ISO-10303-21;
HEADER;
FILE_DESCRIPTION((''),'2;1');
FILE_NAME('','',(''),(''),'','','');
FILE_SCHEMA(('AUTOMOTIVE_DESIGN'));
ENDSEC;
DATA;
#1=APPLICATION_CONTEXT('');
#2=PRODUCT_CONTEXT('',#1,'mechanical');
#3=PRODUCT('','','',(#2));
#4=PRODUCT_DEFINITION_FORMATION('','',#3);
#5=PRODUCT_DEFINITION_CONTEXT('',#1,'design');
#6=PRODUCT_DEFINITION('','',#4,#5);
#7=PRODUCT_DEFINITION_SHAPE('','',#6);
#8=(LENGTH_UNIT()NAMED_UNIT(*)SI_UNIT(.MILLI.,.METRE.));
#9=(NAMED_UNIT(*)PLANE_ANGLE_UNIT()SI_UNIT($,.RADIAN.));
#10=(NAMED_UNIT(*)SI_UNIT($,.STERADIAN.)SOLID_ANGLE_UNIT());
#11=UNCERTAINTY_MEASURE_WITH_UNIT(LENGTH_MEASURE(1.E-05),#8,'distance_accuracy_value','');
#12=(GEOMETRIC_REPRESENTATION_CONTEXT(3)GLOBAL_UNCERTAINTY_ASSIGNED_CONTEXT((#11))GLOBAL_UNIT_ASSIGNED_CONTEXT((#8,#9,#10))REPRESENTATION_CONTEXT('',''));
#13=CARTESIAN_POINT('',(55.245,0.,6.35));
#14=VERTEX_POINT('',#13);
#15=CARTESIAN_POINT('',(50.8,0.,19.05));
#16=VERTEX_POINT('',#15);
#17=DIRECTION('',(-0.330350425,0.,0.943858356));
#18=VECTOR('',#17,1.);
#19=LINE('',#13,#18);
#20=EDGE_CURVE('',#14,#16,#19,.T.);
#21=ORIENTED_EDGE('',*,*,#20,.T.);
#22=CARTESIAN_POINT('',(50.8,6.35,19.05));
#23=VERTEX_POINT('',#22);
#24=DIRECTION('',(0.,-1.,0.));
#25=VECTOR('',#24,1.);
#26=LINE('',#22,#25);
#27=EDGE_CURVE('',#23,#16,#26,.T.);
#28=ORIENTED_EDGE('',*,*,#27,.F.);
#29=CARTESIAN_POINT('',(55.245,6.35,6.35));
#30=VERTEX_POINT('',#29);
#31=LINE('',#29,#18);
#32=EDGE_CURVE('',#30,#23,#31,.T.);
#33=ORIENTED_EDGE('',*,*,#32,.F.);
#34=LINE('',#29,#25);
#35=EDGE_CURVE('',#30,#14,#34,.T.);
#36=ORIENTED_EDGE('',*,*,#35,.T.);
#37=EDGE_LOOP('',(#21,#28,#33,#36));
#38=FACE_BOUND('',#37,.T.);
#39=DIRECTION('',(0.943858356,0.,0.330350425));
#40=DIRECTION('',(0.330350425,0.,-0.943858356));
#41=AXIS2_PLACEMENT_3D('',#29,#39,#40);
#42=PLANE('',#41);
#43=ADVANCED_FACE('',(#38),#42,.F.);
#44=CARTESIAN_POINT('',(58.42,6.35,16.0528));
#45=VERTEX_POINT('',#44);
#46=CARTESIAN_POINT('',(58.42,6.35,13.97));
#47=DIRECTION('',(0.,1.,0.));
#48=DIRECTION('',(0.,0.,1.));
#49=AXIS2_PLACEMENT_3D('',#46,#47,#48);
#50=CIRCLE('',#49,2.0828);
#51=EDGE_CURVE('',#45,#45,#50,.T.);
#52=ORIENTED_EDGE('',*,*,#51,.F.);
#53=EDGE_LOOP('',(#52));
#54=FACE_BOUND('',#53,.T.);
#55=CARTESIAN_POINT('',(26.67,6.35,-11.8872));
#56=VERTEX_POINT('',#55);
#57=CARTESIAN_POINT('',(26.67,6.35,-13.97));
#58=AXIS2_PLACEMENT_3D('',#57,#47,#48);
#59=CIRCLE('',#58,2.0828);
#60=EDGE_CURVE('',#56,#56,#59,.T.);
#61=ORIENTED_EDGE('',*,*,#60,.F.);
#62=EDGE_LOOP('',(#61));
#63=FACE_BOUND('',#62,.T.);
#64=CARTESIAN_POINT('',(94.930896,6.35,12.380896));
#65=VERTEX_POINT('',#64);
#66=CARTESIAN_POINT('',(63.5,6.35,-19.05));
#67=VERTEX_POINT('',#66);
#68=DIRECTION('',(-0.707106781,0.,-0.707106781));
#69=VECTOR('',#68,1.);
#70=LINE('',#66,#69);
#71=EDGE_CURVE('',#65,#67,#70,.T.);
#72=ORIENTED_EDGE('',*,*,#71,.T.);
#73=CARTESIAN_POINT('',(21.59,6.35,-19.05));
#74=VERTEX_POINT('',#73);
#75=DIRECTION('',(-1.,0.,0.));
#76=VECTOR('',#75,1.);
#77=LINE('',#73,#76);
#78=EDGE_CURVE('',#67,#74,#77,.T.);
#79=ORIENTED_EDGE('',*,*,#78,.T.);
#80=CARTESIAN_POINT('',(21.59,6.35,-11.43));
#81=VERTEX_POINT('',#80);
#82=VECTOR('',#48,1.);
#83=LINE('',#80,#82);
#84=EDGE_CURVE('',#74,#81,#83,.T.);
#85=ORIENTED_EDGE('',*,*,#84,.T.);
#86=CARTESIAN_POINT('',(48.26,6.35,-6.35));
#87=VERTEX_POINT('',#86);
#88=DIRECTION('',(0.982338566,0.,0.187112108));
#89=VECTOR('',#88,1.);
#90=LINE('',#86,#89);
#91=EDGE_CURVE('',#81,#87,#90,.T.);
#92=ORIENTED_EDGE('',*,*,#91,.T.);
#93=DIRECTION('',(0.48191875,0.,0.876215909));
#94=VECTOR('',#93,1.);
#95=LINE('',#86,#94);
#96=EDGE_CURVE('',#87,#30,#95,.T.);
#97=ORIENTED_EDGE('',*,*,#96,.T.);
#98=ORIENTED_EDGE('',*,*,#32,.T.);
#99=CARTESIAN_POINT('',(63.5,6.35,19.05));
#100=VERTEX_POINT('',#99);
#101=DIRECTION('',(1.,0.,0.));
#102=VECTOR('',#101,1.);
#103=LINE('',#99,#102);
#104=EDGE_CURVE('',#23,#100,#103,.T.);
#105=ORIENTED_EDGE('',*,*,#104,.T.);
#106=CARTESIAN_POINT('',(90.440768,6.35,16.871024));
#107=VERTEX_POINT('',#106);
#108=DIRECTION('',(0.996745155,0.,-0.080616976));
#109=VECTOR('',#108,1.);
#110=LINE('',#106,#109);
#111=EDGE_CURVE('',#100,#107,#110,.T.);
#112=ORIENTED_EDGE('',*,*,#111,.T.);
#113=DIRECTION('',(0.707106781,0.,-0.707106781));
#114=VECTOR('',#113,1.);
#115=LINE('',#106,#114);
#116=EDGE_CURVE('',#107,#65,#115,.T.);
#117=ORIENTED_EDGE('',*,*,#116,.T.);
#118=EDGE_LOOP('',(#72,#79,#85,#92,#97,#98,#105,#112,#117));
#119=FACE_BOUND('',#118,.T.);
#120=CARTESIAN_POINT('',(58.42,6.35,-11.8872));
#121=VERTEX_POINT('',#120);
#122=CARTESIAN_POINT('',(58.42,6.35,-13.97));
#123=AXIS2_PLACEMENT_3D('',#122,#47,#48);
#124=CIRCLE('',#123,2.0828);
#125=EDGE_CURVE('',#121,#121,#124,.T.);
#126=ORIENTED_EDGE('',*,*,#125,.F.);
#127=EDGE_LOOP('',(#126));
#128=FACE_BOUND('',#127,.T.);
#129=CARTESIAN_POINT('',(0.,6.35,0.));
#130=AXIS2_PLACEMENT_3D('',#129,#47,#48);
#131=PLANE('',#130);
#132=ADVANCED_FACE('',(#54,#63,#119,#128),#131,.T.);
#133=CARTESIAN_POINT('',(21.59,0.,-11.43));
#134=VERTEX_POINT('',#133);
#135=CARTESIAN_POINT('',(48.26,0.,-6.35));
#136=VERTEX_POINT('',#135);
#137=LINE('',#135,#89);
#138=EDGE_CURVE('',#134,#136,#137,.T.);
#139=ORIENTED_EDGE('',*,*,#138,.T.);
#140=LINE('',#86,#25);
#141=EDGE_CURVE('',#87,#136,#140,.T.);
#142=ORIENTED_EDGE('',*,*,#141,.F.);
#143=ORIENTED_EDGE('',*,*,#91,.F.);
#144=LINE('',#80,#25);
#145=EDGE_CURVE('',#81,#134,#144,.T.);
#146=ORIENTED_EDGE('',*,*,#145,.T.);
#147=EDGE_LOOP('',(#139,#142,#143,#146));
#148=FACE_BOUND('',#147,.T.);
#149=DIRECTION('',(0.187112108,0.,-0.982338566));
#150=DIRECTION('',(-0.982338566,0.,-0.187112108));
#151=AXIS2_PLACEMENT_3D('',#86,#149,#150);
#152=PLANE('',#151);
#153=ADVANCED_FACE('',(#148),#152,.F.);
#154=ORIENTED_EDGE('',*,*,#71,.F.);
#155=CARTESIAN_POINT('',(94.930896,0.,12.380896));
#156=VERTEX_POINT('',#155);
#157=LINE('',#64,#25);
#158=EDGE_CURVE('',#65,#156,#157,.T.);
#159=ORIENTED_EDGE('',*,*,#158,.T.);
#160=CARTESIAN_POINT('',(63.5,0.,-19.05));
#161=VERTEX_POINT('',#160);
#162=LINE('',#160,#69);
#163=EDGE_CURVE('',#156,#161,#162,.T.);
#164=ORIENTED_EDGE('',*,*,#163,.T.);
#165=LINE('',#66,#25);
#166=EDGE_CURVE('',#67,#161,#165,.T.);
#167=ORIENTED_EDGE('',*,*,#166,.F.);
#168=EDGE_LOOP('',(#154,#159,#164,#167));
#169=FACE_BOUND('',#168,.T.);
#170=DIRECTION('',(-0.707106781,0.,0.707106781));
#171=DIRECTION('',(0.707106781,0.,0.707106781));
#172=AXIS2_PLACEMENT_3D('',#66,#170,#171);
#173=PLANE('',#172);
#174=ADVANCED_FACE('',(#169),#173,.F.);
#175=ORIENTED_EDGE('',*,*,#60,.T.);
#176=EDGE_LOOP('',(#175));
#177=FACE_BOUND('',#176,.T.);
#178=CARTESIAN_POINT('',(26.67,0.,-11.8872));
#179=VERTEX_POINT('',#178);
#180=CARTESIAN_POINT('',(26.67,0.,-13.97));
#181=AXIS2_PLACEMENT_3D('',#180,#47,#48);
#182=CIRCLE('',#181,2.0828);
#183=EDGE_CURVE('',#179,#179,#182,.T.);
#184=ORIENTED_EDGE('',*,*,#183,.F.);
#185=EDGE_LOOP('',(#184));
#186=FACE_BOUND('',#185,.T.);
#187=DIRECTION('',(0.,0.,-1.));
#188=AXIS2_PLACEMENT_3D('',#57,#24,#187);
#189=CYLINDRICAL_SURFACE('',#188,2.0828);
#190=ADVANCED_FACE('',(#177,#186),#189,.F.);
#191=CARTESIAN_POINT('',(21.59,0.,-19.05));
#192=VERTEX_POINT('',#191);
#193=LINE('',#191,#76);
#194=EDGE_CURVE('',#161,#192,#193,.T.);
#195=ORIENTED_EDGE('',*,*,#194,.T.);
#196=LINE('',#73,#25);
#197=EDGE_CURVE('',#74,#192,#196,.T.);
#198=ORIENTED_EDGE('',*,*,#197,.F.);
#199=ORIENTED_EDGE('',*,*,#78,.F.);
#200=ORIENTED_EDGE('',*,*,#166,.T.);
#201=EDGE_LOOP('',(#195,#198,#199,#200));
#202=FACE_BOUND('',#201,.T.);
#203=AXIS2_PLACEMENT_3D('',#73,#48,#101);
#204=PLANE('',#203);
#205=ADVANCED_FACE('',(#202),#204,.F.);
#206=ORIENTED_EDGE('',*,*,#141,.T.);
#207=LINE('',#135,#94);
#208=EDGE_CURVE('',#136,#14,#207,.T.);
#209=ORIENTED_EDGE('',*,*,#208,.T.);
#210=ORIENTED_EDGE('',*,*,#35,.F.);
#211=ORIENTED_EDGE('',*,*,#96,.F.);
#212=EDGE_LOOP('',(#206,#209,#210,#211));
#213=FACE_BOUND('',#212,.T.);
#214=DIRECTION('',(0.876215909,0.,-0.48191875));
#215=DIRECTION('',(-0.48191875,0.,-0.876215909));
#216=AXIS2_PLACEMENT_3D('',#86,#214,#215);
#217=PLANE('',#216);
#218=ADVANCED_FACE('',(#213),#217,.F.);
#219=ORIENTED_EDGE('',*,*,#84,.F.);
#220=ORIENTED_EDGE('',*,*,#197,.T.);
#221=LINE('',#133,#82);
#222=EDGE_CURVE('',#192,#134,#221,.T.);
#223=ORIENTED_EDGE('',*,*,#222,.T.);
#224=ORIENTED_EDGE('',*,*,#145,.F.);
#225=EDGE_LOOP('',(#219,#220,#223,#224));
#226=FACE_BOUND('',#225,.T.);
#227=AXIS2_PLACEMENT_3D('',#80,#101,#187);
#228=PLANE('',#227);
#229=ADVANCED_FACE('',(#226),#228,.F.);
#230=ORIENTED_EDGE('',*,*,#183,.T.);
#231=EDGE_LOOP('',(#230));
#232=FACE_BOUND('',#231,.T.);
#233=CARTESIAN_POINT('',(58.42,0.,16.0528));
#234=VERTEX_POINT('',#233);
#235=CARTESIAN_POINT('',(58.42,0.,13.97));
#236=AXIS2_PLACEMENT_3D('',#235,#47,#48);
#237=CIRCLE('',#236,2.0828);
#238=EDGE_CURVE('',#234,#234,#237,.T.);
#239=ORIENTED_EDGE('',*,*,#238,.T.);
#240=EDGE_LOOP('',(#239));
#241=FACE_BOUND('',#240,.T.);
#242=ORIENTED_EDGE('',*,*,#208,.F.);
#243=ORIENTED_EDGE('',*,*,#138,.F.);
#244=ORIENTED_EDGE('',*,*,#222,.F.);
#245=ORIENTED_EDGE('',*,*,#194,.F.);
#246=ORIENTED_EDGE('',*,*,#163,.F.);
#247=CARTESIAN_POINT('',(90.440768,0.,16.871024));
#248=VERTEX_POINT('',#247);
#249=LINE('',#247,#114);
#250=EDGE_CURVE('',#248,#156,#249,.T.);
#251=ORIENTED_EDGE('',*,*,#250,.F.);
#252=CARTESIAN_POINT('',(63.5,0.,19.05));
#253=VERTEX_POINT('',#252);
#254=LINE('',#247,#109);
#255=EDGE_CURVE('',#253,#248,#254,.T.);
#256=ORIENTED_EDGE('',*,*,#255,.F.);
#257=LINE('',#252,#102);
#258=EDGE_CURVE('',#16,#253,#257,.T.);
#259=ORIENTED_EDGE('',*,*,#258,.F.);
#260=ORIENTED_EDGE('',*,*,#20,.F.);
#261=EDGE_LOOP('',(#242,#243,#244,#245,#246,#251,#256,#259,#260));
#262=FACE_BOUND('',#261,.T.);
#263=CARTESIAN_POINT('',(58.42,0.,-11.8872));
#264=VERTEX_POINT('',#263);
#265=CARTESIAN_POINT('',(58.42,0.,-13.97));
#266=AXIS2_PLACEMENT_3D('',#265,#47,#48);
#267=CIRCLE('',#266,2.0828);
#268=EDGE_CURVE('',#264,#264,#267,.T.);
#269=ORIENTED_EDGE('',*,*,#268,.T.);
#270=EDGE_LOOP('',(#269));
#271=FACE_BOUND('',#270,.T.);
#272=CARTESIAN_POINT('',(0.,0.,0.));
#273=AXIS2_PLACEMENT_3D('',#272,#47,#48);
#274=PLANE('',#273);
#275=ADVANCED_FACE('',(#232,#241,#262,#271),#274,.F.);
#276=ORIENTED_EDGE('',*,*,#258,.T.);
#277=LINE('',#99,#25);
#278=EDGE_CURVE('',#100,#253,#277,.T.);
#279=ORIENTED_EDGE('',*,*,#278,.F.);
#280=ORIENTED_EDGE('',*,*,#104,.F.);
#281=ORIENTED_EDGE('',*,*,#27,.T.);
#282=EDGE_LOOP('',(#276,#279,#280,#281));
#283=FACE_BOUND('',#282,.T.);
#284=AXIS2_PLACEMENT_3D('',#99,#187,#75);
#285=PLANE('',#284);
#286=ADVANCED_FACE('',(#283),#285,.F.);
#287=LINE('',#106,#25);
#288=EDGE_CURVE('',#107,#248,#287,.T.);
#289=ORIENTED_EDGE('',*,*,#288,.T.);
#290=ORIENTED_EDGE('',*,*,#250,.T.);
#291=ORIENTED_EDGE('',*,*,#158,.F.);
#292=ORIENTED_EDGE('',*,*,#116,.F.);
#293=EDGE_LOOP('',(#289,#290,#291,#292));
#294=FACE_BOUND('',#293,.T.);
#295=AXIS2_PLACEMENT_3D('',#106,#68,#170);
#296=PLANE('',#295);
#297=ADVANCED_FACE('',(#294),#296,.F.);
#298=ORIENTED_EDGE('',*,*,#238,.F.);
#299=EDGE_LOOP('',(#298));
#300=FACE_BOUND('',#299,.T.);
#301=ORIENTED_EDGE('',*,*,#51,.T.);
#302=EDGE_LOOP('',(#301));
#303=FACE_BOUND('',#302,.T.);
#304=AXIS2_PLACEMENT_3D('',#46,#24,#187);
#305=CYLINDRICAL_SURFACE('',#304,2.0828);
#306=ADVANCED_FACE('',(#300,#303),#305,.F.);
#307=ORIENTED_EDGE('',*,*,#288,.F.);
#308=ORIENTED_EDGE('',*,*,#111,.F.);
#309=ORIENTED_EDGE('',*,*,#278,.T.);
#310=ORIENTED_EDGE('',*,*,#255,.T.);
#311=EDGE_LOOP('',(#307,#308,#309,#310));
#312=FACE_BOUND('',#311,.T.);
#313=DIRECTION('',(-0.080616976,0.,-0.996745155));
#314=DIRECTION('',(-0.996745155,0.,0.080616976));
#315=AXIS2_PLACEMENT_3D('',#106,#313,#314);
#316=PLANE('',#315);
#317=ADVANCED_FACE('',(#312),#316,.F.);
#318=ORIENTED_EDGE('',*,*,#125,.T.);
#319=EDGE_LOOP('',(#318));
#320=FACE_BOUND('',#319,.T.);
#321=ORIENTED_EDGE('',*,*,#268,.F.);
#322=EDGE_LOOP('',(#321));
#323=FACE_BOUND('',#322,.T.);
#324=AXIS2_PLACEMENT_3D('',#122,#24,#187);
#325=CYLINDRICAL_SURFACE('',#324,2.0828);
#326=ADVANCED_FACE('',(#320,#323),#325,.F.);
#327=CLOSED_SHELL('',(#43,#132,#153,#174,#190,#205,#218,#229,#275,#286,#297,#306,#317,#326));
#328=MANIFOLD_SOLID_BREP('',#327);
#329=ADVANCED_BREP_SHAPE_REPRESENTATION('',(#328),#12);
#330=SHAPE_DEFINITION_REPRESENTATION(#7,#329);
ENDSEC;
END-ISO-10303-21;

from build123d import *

# Parameters (mm, degrees)
SKETCH2_R           = 2.0828
BOSS_EXTRUDE1_DEPTH = 6.35


with BuildPart() as part:
    # Sketch2 → Boss-Extrude1 (new body)
    with BuildSketch(Plane(origin=(0, 0, 0), x_dir=(1, 0, 0), z_dir=(0, 1, 0))):
        Polygon((63.5, 19.05), (94.930896424, -12.380896424), (90.440768363, -16.871024484), (63.5, -19.05), (50.8, -19.05), (55.245, -6.35), (48.26, 6.35), (21.59, 11.43), (21.59, 19.05), align=None)
        with Locations((58.42, 13.97)):
            Circle(SKETCH2_R, mode=Mode.SUBTRACT)
        with Locations((26.67, 13.97)):
            Circle(SKETCH2_R, mode=Mode.SUBTRACT)
        with Locations((58.42, -13.97)):
            Circle(SKETCH2_R, mode=Mode.SUBTRACT)
    extrude(amount=BOSS_EXTRUDE1_DEPTH)


solid = part.part
